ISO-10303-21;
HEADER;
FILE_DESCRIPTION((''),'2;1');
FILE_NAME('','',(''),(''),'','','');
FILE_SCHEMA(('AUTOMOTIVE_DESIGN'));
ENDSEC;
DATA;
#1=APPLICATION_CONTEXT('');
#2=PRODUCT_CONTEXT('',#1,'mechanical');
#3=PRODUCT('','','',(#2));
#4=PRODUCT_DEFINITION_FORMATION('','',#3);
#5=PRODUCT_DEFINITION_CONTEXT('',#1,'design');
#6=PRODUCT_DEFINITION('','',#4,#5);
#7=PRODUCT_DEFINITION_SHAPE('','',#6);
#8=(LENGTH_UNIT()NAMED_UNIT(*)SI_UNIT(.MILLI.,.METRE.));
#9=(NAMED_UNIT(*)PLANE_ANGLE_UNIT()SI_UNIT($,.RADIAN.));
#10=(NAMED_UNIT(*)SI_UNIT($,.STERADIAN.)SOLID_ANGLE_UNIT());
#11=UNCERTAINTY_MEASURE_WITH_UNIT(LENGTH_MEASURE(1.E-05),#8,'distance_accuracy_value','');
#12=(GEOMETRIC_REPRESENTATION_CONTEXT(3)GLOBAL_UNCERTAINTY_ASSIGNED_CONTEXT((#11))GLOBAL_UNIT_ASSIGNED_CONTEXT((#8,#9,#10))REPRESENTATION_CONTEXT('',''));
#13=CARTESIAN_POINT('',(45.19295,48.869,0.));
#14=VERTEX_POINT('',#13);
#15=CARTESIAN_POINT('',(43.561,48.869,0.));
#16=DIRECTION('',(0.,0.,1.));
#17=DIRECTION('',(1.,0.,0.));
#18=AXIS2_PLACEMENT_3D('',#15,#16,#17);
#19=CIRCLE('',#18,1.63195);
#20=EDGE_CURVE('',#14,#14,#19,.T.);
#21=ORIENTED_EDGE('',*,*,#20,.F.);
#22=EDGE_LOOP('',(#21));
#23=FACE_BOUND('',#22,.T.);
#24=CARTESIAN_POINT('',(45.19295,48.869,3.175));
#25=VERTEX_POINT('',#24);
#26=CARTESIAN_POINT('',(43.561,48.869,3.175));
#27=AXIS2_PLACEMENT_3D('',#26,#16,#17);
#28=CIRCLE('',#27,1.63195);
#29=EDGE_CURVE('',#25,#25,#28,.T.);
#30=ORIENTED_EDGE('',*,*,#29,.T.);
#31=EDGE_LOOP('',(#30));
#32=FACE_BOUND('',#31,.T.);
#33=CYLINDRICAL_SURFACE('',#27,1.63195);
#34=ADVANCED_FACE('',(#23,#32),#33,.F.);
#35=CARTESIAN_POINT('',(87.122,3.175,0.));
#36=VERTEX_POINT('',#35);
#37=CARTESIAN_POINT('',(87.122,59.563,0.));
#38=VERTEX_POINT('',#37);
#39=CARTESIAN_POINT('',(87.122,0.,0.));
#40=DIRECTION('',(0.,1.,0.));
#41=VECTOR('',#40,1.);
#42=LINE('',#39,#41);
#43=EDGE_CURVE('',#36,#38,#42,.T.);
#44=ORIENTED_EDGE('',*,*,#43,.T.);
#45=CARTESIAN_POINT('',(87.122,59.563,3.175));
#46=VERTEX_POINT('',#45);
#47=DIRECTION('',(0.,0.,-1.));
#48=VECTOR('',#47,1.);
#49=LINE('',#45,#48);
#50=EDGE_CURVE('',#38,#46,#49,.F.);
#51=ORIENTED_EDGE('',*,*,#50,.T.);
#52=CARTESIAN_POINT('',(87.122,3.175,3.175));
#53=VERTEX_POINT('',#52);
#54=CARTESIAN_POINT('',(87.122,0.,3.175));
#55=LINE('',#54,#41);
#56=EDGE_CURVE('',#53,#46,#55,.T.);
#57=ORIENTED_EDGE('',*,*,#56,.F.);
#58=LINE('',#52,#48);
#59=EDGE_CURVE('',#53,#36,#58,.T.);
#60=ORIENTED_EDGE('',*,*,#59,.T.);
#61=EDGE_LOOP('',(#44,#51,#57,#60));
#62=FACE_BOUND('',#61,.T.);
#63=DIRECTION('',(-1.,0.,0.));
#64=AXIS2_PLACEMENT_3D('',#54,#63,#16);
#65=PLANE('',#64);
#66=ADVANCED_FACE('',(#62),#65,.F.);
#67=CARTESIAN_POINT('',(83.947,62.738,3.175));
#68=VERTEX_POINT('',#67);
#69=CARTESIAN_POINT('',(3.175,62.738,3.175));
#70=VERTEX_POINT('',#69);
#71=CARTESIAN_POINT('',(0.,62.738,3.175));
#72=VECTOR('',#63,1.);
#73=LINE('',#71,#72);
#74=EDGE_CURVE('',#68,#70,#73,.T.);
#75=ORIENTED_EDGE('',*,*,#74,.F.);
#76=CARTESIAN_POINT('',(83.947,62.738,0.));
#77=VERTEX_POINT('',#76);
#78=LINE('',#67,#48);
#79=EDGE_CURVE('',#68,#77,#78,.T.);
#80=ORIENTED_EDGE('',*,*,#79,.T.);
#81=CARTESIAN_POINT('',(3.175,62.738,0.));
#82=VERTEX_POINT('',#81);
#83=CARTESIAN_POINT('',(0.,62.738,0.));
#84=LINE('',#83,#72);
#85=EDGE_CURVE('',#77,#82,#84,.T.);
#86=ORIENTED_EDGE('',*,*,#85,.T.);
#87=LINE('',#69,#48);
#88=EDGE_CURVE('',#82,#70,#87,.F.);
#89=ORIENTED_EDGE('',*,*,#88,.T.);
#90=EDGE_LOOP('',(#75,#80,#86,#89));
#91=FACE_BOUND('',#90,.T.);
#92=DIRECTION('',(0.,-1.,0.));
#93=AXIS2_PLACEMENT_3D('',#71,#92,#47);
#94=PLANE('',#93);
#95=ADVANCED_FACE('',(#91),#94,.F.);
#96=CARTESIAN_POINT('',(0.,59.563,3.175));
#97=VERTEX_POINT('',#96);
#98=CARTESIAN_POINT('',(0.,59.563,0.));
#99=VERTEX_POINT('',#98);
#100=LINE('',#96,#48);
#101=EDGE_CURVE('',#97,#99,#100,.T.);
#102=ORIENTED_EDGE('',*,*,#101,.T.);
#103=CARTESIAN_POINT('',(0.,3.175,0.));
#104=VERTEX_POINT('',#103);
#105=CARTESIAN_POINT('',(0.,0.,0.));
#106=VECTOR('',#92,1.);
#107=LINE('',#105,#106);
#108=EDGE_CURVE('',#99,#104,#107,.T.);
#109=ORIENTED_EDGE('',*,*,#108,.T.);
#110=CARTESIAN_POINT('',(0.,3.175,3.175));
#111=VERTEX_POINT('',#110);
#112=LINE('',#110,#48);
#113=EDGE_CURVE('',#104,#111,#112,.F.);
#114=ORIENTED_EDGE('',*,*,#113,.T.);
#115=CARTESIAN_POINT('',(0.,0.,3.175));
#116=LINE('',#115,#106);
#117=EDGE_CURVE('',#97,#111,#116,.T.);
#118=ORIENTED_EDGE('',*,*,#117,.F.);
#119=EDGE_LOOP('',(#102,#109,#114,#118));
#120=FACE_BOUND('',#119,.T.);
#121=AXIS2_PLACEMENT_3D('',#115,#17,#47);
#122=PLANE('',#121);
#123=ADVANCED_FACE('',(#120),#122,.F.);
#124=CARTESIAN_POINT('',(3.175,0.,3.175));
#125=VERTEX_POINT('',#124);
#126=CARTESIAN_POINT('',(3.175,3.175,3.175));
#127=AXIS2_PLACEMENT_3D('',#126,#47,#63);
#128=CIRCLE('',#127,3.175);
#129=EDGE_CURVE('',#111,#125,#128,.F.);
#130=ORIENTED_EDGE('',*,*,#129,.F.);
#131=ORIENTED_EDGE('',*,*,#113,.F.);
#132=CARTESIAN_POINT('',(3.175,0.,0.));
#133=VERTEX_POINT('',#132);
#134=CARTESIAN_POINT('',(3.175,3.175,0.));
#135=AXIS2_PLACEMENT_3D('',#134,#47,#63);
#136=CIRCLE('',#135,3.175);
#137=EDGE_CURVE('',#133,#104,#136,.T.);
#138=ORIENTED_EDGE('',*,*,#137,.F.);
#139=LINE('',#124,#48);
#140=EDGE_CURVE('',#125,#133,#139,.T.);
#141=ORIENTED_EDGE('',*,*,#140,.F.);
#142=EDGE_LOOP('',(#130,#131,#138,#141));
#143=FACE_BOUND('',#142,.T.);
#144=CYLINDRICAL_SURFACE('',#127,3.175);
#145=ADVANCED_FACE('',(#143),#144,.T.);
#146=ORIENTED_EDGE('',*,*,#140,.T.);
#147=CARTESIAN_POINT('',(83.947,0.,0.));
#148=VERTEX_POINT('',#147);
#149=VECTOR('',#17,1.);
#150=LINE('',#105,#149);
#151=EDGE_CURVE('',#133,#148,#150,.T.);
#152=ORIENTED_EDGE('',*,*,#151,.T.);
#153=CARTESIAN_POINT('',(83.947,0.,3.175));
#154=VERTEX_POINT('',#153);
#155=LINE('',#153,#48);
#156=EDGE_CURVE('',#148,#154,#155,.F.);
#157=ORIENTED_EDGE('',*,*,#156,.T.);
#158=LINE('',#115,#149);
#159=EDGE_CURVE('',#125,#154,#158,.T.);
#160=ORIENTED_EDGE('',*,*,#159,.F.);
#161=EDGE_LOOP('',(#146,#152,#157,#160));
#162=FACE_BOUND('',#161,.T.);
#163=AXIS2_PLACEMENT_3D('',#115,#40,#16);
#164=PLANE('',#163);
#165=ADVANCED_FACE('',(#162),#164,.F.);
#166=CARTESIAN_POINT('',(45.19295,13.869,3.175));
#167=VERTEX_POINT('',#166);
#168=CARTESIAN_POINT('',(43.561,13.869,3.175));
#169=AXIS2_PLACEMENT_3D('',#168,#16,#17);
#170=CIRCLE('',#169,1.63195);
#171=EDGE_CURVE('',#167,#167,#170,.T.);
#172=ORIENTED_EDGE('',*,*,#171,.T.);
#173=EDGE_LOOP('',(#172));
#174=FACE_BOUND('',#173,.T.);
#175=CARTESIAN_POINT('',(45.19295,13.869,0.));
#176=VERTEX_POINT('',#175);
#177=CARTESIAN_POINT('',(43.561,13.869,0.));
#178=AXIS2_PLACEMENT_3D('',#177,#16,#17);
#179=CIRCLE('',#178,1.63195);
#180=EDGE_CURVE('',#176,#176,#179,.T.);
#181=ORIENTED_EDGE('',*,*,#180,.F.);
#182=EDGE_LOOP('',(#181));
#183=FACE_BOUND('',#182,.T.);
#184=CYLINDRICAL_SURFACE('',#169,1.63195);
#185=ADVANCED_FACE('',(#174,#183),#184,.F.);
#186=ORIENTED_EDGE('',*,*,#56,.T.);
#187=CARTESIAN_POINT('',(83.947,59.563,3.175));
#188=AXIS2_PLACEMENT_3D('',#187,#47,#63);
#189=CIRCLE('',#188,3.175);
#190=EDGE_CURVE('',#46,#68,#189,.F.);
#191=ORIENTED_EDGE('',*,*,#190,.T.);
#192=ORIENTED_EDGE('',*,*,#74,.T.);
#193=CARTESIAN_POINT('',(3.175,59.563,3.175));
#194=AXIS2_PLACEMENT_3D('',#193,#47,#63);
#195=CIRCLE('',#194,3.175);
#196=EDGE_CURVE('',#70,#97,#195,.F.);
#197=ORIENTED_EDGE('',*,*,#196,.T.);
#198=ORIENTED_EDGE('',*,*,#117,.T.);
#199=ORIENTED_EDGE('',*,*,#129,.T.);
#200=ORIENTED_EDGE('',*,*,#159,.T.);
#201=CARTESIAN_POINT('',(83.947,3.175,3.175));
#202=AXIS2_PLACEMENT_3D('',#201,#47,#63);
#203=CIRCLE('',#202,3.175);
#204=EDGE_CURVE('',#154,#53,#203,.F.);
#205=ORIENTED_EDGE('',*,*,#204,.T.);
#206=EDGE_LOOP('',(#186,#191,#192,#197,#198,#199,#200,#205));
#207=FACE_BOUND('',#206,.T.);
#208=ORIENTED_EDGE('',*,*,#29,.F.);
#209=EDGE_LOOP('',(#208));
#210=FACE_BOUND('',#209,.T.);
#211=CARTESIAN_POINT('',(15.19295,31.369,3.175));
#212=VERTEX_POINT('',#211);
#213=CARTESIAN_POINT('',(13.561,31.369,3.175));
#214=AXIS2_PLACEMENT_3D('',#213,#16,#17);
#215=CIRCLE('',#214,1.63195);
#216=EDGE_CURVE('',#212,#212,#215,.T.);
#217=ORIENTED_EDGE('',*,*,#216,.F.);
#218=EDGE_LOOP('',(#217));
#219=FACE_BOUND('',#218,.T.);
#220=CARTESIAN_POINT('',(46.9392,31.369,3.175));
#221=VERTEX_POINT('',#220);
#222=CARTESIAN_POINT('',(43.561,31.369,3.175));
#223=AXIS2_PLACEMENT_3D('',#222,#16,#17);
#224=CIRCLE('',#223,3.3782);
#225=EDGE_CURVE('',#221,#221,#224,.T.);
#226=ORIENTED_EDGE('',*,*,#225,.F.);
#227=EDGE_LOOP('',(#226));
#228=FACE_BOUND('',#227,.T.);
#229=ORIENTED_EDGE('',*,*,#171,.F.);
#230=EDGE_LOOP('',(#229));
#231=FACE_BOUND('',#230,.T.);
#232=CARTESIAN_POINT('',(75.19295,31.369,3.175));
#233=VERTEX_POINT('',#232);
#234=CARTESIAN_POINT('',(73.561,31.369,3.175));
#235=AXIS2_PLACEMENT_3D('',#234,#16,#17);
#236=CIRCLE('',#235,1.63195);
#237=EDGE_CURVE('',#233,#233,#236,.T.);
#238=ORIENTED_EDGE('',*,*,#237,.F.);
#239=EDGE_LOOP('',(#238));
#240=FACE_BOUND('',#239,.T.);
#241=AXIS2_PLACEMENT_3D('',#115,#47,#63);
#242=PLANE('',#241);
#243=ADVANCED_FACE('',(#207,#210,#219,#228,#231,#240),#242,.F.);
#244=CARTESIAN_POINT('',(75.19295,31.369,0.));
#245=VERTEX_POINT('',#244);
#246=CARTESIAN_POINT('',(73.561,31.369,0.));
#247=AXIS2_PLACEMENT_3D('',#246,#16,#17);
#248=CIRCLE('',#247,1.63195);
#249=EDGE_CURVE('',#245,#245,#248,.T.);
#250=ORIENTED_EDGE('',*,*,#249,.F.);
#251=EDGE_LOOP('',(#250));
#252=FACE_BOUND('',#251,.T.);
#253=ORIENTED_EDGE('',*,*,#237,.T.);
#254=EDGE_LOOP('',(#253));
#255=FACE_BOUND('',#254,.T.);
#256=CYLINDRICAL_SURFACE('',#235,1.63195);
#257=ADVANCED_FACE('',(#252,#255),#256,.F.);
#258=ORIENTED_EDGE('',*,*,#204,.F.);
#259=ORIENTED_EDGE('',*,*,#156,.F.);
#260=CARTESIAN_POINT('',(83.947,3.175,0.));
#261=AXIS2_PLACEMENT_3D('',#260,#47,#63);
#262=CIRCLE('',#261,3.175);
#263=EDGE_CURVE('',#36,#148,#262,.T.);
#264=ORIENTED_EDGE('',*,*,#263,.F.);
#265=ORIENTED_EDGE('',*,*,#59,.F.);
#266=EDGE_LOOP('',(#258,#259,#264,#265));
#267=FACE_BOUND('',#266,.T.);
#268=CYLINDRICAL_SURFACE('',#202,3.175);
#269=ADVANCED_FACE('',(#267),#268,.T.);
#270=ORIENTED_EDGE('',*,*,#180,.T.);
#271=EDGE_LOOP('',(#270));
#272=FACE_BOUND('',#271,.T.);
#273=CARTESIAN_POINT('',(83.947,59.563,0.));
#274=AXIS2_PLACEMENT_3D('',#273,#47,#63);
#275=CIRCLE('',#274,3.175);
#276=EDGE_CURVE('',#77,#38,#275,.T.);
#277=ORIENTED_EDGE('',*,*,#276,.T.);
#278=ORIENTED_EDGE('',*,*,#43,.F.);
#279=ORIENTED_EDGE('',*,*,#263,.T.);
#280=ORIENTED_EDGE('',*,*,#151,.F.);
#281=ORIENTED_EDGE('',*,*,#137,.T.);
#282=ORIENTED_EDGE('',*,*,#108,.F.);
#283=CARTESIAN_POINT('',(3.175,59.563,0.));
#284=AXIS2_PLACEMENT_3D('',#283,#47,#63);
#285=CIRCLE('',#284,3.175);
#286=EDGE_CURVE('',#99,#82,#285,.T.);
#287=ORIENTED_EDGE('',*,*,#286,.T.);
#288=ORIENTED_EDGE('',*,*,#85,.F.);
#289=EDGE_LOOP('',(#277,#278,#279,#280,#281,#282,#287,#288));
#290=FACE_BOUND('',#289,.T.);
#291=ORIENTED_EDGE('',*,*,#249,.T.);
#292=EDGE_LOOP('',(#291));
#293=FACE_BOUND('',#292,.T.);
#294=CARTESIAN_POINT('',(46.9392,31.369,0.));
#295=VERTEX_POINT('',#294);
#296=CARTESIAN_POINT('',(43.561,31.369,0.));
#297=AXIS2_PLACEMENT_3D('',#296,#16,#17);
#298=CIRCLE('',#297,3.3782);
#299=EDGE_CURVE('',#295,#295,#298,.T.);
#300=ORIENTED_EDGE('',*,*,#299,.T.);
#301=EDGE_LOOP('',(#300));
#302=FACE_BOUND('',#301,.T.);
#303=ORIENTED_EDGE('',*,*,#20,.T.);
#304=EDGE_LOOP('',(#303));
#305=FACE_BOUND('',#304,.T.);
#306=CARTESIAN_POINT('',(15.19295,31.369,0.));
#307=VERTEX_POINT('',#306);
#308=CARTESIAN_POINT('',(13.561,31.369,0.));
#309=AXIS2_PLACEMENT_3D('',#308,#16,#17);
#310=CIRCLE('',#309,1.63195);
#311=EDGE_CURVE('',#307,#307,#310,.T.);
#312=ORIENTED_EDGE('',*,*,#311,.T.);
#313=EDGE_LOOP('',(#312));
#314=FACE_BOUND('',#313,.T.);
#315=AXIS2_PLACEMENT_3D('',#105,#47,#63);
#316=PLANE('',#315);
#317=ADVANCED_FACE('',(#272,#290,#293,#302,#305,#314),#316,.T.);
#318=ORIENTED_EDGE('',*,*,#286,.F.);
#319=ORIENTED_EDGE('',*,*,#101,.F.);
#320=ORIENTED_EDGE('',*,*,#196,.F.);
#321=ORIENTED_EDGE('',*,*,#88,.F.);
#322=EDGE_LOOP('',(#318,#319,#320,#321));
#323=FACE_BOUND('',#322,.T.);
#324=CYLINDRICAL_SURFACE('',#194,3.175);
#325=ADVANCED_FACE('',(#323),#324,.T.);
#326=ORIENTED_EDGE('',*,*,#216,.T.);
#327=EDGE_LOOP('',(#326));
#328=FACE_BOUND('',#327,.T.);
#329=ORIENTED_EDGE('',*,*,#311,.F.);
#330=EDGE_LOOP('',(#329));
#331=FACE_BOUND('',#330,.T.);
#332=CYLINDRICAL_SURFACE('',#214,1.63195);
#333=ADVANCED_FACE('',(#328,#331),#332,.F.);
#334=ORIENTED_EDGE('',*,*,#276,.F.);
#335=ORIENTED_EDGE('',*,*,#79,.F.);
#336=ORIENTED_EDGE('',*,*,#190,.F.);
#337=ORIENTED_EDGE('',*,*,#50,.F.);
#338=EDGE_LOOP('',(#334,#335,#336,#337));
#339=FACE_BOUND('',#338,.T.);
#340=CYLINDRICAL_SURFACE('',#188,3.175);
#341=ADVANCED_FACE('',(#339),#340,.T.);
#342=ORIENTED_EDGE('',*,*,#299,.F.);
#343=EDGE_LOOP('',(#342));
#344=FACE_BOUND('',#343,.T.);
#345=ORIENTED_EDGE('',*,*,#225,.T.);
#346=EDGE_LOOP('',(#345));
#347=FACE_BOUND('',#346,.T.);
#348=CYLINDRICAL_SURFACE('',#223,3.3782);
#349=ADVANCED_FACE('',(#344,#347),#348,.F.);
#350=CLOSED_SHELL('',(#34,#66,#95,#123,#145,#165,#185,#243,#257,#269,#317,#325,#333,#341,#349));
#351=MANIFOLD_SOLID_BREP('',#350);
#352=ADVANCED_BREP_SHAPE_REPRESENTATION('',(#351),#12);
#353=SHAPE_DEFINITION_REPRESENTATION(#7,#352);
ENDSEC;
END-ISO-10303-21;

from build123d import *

# Parameters (mm, degrees)
SKETCH1_W               = 87.122
SKETCH1_H               = 62.738
BOSS_EXTRUDE1_DEPTH     = 3.175
F_4_CLEARANCE_HOLE1_D   = 3.2639
F_1_4_CLEARANCE_HOLE1_D = 6.7564
FILLET1_R               = 3.175


with BuildPart() as part:
    # Sketch1 → Boss-Extrude1 (new body)
    with BuildSketch(Plane.XY):
        with Locations((43.561, 31.369)):
            Rectangle(SKETCH1_W, SKETCH1_H)
    extrude(amount=BOSS_EXTRUDE1_DEPTH)

    # #4 Clearance Hole1 (through all)
    with Locations(Plane.XY.offset(3.175)):
        with Locations((43.561, 13.869), (73.561, 31.369), (13.561, 31.369), (43.561, 48.869)):
            Hole(F_4_CLEARANCE_HOLE1_D / 2)

    # 1/4 Clearance Hole1 (through all)
    with Locations(Plane.XY.offset(3.175)):
        with Locations((43.561, 31.369)):
            Hole(F_1_4_CLEARANCE_HOLE1_D / 2)

    # Fillet1
    fillet1_edges = [part.edges().sort_by_distance(p)[0] for p in [
        (0, 62.738, 1.5875),
        (87.122, 62.738, 1.5875),
        (87.122, 0, 1.5875),
        (0, 0, 1.5875),
    ]]
    fillet(fillet1_edges, radius=FILLET1_R)


solid = part.part
